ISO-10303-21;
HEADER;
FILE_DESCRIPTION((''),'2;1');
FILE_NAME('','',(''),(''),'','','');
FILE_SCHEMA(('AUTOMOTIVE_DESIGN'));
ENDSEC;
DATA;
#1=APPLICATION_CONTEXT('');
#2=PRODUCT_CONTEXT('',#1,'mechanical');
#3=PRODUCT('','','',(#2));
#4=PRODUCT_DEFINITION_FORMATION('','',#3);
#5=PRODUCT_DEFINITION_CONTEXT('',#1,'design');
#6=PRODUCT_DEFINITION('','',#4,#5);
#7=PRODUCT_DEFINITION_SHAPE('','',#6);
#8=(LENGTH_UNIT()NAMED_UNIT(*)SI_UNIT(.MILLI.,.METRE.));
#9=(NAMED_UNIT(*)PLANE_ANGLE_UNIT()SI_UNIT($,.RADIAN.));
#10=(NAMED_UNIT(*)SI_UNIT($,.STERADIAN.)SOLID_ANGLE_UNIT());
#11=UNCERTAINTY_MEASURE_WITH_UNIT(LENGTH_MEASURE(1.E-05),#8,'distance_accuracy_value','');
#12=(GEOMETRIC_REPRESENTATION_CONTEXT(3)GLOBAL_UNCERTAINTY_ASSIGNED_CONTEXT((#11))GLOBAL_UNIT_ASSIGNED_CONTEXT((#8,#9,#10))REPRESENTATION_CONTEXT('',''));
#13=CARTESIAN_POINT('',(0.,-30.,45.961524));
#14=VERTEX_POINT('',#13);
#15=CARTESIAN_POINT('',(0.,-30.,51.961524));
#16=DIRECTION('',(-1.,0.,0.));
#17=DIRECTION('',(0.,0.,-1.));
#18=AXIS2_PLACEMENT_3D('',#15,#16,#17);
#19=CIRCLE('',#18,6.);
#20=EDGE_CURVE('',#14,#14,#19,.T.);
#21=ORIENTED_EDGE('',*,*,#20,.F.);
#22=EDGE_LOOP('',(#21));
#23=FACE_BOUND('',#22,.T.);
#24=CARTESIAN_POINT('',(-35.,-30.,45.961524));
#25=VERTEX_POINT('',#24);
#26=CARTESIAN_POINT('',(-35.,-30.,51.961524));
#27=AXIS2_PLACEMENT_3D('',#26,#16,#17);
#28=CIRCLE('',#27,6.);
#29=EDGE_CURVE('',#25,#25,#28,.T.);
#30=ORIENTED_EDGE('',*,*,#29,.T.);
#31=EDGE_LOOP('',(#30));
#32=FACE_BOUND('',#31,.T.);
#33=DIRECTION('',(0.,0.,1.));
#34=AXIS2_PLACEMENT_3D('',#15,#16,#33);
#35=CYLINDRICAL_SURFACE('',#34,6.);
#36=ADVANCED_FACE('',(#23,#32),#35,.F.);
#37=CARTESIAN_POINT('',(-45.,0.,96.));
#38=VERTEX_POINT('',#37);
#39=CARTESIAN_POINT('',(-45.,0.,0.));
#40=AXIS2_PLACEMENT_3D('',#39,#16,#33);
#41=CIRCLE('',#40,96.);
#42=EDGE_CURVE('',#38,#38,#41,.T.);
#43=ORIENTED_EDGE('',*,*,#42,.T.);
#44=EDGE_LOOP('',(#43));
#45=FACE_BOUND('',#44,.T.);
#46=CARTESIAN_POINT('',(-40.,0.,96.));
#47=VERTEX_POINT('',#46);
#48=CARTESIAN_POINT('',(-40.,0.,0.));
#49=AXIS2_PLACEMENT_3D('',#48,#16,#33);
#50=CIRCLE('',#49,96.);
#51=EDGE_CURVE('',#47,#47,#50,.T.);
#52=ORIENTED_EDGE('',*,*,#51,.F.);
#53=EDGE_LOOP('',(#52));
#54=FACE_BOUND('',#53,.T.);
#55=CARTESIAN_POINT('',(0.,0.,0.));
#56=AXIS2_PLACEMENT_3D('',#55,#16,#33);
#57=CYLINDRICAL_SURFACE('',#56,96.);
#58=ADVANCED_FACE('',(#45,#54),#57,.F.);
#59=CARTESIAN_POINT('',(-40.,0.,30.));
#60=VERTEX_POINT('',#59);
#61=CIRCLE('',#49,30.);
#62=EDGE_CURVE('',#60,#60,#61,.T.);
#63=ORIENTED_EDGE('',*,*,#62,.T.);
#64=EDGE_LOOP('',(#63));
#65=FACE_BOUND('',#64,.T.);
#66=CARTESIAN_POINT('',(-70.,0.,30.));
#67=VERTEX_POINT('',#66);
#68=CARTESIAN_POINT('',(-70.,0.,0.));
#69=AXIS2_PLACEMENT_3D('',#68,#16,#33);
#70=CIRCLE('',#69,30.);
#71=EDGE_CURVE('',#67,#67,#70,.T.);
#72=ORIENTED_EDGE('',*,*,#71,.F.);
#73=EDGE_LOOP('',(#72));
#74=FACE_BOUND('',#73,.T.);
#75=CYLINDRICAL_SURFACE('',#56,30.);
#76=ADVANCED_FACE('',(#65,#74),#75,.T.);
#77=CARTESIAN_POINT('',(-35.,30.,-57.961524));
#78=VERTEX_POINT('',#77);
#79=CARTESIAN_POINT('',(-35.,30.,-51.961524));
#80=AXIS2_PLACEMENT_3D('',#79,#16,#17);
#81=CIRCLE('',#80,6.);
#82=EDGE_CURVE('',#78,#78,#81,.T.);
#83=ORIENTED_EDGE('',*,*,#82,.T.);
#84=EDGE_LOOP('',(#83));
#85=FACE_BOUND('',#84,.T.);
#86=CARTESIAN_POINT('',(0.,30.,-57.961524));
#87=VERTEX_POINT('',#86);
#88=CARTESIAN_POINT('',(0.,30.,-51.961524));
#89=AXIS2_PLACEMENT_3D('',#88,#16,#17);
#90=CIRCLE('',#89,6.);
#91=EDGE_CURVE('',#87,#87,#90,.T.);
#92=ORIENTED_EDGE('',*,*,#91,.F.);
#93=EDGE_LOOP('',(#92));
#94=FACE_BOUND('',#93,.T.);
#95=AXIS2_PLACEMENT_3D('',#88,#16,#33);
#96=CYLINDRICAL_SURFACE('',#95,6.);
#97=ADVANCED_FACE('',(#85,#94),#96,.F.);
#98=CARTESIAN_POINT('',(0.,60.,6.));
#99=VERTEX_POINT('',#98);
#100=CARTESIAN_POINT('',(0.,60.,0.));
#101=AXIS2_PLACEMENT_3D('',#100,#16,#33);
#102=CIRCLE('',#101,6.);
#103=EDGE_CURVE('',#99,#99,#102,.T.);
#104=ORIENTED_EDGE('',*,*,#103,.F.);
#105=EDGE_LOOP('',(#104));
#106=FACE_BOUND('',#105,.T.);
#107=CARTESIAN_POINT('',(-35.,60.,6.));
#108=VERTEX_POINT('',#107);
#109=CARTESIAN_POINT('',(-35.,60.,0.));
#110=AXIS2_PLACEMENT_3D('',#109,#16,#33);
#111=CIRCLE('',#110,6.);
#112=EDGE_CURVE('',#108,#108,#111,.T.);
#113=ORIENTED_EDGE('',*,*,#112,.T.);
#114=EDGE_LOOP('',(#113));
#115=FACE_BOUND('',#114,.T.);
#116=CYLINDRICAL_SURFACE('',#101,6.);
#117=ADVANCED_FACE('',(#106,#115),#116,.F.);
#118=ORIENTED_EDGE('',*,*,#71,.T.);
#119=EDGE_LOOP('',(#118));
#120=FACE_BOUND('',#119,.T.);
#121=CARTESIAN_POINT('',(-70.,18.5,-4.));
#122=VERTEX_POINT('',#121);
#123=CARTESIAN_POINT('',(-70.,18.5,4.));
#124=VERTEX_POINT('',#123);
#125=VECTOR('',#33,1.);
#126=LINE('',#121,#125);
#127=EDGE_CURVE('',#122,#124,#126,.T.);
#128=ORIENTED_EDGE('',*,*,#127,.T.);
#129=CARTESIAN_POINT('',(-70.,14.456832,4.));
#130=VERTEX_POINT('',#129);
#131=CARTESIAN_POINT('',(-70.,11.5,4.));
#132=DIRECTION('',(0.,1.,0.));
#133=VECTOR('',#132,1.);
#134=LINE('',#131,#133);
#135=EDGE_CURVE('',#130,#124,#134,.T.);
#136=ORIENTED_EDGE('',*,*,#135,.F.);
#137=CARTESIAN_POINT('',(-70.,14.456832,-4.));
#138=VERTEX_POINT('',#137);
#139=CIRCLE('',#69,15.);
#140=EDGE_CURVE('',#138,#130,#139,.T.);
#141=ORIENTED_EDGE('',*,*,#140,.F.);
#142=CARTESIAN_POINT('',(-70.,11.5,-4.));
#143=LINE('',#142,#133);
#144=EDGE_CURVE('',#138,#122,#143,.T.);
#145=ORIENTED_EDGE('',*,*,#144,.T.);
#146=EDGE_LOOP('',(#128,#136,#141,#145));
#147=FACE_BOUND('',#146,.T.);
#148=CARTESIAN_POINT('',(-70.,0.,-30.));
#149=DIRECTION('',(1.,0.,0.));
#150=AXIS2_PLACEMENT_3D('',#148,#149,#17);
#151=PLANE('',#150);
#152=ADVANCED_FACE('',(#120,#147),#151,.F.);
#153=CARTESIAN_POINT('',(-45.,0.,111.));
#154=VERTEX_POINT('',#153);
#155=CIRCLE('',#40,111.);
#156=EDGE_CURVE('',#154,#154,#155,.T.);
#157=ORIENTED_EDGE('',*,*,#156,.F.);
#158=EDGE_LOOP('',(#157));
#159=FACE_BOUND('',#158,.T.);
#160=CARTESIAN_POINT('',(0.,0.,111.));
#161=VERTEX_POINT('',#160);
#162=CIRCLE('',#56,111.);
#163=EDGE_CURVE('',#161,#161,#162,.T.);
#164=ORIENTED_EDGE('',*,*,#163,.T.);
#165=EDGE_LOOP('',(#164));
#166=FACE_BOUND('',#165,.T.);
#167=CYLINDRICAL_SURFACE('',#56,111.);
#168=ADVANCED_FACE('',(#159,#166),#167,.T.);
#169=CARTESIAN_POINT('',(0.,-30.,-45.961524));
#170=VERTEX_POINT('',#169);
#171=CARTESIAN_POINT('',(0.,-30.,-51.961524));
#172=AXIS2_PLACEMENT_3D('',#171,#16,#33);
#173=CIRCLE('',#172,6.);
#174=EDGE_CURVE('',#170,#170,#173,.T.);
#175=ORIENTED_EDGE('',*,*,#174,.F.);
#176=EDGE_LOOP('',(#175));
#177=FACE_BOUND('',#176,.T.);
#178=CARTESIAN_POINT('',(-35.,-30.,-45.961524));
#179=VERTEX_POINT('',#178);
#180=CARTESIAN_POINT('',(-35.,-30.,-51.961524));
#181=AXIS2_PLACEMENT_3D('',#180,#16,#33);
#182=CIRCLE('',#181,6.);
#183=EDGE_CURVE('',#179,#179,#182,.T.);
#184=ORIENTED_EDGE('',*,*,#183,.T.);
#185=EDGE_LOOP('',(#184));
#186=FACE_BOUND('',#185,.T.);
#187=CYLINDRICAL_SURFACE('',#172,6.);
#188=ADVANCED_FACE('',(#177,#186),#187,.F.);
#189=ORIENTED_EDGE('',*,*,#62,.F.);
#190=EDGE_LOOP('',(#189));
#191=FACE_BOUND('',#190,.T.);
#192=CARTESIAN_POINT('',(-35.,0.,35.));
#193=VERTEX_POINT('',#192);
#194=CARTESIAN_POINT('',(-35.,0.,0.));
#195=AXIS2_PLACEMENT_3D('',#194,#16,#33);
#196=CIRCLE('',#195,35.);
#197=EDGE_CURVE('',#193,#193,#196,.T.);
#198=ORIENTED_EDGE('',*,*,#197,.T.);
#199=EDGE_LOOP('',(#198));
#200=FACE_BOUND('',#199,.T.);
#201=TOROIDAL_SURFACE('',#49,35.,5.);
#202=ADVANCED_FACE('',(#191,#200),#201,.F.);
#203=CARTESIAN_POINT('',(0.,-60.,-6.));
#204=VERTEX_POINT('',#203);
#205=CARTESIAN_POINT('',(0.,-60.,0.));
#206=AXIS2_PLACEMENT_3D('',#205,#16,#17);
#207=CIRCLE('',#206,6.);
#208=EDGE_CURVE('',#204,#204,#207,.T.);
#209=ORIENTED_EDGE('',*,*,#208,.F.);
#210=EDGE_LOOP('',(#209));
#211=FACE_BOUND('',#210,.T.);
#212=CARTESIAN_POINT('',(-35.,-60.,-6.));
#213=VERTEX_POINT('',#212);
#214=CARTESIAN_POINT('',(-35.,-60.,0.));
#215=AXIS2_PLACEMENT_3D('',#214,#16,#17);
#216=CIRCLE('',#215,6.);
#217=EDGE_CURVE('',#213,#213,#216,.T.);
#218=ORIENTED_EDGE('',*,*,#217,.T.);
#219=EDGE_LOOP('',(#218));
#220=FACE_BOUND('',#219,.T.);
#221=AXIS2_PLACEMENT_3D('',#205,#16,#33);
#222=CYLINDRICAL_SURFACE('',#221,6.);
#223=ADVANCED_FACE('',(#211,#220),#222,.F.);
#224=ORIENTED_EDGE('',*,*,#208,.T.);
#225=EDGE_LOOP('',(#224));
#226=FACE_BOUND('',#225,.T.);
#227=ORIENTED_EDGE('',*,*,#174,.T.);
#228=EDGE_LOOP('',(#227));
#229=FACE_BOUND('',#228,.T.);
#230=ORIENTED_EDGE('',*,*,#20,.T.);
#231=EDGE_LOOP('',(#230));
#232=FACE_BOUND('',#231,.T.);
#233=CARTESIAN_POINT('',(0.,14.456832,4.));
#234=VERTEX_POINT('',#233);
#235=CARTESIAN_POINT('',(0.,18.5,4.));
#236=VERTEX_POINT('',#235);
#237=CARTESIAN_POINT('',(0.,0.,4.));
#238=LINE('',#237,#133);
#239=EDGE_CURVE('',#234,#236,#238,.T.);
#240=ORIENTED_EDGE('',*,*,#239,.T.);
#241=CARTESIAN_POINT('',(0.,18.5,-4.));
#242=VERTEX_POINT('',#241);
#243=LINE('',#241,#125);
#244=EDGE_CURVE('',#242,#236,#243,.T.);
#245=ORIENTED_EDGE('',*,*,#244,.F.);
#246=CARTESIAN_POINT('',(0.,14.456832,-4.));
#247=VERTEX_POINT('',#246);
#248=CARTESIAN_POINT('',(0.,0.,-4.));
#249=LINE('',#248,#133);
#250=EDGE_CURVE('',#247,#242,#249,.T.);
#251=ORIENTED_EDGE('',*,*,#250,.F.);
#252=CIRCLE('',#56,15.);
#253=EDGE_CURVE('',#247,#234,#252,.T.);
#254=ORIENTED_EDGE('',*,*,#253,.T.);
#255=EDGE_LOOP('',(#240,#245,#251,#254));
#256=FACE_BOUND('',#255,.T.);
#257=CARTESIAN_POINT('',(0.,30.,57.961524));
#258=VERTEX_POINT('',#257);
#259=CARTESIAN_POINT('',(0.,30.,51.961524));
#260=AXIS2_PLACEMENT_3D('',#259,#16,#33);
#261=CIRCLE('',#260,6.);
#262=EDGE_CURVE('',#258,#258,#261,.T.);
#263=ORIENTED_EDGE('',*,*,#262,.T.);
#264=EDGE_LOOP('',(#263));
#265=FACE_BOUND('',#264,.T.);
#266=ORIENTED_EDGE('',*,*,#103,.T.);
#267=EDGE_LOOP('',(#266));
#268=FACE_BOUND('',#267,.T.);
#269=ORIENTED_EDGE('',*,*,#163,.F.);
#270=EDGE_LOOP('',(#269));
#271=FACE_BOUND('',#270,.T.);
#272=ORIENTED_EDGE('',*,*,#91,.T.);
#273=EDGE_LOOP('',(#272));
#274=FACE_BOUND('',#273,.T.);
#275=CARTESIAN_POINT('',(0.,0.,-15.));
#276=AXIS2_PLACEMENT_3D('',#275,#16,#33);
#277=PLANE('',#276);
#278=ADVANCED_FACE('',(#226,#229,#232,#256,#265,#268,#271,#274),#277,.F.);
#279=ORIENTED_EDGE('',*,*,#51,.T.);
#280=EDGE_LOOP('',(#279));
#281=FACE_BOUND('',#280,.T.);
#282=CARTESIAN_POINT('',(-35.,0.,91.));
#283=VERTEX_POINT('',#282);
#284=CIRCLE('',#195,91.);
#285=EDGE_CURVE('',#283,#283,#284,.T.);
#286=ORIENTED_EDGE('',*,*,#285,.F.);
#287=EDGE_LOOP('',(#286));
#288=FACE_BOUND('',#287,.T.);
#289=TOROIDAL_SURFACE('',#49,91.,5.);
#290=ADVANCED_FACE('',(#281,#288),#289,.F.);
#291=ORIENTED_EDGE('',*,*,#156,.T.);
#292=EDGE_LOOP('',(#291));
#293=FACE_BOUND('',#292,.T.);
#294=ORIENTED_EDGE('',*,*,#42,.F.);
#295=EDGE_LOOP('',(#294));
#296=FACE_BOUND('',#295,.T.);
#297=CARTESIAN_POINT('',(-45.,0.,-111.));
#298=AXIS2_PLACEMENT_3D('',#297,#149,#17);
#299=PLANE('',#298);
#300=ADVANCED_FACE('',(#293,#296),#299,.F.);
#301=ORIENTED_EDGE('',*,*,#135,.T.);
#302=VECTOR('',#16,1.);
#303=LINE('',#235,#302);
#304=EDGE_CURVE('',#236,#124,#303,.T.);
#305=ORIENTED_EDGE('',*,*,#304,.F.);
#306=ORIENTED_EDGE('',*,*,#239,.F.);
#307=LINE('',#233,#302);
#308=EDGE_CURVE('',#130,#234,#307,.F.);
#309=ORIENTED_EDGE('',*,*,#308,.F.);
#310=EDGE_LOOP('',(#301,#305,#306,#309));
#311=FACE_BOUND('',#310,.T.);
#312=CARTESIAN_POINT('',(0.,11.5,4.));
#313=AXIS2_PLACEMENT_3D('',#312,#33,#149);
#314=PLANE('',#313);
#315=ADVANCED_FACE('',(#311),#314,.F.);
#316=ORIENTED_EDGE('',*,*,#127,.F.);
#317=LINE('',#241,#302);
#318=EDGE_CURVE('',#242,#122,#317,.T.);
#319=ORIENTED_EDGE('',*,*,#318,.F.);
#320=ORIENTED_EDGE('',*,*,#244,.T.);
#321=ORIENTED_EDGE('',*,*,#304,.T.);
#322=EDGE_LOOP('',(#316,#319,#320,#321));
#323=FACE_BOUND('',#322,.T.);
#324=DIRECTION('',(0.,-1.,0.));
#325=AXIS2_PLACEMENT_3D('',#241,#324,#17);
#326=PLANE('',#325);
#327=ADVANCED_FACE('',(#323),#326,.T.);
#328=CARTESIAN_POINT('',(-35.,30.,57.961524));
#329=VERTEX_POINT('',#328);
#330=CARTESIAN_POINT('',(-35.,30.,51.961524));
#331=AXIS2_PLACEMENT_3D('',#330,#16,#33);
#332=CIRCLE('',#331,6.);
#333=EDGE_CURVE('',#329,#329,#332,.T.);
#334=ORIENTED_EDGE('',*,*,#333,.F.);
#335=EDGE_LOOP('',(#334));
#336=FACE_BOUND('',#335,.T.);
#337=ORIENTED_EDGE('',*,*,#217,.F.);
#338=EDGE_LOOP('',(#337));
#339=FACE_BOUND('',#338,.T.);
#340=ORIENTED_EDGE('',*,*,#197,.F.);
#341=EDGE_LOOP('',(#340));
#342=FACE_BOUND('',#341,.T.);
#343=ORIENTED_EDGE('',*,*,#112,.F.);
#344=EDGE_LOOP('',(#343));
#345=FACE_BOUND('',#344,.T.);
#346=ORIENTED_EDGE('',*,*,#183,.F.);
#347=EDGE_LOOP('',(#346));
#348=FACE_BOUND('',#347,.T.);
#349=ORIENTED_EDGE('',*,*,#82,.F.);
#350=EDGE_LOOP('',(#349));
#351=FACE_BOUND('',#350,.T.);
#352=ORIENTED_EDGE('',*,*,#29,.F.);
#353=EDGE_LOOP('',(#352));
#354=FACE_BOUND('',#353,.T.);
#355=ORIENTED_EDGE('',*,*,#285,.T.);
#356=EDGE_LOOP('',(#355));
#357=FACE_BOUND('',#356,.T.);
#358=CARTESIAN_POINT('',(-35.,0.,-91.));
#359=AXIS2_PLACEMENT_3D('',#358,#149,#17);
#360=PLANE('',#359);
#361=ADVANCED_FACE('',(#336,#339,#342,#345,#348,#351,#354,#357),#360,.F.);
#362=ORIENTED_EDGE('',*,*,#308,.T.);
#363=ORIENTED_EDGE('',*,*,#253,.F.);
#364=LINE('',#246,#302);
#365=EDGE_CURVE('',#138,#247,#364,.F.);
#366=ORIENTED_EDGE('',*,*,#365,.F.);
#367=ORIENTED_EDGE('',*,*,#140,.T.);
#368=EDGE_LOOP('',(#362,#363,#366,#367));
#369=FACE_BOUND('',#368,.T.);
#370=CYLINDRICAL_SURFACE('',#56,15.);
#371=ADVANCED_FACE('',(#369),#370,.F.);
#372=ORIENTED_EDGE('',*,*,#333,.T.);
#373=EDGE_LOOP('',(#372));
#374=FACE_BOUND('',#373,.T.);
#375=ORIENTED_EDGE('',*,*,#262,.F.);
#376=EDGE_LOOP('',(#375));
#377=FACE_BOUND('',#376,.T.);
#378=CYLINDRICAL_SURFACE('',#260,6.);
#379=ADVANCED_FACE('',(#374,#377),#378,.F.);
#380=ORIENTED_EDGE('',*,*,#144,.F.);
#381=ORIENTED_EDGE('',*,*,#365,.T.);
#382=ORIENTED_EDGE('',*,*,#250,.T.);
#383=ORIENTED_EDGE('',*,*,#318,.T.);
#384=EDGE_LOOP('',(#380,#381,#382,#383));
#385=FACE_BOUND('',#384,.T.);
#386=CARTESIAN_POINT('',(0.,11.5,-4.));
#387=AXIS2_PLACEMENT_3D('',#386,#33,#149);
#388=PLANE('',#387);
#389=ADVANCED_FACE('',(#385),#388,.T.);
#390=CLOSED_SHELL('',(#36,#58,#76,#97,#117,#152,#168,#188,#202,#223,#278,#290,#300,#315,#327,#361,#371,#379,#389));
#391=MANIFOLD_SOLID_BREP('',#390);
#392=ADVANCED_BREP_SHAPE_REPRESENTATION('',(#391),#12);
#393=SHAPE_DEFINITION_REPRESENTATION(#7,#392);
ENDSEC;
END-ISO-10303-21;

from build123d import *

# Parameters (mm, degrees)
SKETCH5_W          = 8
SKETCH5_H          = 7
CUT_EXTRUDE5_DEPTH = 172.877863613
SKETCH12_R         = 6
CUT_EXTRUDE6_DEPTH = 161.832210704


with BuildPart() as part:
    # Sketch2 → Revolve3 (revolve)
    with BuildSketch(Plane(origin=(0, 0, 0), x_dir=(1, 0, 0), z_dir=(0, 1, 0)), mode=Mode.PRIVATE) as revolve3_sk:
        with BuildLine():
            Line((0, 15), (0, 111))
            Line((0, 111), (-45, 111))
            Line((-45, 111), (-45, 96))
            Line((-45, 96), (-40, 96))
            ThreePointArc((-40, 96), (-36.464466094, 94.535533906), (-35, 91))
            Line((-35, 91), (-35, 35))
            ThreePointArc((-35, 35), (-36.464466094, 31.464466094), (-40, 30))
            Line((-40, 30), (-70, 30))
            Line((-70, 30), (-70, 15))
            Line((-70, 15), (0, 15))
        make_face()
    revolve(revolve3_sk.sketch.rotate(Axis((0, 0, 0), (1, 0, 0)), 180), axis=Axis((0, 0, 0), (1, 0, 0)))

    # Sketch5 → Cut-Extrude5 (cut, through all)
    with BuildSketch(Plane.ZY.offset(70)):
        with Locations((0, 15)):
            Rectangle(SKETCH5_W, SKETCH5_H)
    extrude(amount=-CUT_EXTRUDE5_DEPTH, mode=Mode.SUBTRACT)

    # Sketch12 → Cut-Extrude6 (cut, through all)
    with BuildSketch(Plane.ZY.offset(35)):
        with Locations((51.961524227, 30)):
            Circle(SKETCH12_R)
        with Locations(Location((-51.961524227, 30, 0), (0, 0, 180))):
            Circle(SKETCH12_R)
        with Locations(Location((51.961524227, -30, 0), (0, 0, 180))):
            Circle(SKETCH12_R)
        with Locations((-51.961524227, -30)):
            Circle(SKETCH12_R)
        with Locations((0, 60)):
            Circle(SKETCH12_R)
        with Locations(Location((0, -60, 0), (0, 0, 180))):
            Circle(SKETCH12_R)
    extrude(amount=-CUT_EXTRUDE6_DEPTH, mode=Mode.SUBTRACT)


solid = part.part
